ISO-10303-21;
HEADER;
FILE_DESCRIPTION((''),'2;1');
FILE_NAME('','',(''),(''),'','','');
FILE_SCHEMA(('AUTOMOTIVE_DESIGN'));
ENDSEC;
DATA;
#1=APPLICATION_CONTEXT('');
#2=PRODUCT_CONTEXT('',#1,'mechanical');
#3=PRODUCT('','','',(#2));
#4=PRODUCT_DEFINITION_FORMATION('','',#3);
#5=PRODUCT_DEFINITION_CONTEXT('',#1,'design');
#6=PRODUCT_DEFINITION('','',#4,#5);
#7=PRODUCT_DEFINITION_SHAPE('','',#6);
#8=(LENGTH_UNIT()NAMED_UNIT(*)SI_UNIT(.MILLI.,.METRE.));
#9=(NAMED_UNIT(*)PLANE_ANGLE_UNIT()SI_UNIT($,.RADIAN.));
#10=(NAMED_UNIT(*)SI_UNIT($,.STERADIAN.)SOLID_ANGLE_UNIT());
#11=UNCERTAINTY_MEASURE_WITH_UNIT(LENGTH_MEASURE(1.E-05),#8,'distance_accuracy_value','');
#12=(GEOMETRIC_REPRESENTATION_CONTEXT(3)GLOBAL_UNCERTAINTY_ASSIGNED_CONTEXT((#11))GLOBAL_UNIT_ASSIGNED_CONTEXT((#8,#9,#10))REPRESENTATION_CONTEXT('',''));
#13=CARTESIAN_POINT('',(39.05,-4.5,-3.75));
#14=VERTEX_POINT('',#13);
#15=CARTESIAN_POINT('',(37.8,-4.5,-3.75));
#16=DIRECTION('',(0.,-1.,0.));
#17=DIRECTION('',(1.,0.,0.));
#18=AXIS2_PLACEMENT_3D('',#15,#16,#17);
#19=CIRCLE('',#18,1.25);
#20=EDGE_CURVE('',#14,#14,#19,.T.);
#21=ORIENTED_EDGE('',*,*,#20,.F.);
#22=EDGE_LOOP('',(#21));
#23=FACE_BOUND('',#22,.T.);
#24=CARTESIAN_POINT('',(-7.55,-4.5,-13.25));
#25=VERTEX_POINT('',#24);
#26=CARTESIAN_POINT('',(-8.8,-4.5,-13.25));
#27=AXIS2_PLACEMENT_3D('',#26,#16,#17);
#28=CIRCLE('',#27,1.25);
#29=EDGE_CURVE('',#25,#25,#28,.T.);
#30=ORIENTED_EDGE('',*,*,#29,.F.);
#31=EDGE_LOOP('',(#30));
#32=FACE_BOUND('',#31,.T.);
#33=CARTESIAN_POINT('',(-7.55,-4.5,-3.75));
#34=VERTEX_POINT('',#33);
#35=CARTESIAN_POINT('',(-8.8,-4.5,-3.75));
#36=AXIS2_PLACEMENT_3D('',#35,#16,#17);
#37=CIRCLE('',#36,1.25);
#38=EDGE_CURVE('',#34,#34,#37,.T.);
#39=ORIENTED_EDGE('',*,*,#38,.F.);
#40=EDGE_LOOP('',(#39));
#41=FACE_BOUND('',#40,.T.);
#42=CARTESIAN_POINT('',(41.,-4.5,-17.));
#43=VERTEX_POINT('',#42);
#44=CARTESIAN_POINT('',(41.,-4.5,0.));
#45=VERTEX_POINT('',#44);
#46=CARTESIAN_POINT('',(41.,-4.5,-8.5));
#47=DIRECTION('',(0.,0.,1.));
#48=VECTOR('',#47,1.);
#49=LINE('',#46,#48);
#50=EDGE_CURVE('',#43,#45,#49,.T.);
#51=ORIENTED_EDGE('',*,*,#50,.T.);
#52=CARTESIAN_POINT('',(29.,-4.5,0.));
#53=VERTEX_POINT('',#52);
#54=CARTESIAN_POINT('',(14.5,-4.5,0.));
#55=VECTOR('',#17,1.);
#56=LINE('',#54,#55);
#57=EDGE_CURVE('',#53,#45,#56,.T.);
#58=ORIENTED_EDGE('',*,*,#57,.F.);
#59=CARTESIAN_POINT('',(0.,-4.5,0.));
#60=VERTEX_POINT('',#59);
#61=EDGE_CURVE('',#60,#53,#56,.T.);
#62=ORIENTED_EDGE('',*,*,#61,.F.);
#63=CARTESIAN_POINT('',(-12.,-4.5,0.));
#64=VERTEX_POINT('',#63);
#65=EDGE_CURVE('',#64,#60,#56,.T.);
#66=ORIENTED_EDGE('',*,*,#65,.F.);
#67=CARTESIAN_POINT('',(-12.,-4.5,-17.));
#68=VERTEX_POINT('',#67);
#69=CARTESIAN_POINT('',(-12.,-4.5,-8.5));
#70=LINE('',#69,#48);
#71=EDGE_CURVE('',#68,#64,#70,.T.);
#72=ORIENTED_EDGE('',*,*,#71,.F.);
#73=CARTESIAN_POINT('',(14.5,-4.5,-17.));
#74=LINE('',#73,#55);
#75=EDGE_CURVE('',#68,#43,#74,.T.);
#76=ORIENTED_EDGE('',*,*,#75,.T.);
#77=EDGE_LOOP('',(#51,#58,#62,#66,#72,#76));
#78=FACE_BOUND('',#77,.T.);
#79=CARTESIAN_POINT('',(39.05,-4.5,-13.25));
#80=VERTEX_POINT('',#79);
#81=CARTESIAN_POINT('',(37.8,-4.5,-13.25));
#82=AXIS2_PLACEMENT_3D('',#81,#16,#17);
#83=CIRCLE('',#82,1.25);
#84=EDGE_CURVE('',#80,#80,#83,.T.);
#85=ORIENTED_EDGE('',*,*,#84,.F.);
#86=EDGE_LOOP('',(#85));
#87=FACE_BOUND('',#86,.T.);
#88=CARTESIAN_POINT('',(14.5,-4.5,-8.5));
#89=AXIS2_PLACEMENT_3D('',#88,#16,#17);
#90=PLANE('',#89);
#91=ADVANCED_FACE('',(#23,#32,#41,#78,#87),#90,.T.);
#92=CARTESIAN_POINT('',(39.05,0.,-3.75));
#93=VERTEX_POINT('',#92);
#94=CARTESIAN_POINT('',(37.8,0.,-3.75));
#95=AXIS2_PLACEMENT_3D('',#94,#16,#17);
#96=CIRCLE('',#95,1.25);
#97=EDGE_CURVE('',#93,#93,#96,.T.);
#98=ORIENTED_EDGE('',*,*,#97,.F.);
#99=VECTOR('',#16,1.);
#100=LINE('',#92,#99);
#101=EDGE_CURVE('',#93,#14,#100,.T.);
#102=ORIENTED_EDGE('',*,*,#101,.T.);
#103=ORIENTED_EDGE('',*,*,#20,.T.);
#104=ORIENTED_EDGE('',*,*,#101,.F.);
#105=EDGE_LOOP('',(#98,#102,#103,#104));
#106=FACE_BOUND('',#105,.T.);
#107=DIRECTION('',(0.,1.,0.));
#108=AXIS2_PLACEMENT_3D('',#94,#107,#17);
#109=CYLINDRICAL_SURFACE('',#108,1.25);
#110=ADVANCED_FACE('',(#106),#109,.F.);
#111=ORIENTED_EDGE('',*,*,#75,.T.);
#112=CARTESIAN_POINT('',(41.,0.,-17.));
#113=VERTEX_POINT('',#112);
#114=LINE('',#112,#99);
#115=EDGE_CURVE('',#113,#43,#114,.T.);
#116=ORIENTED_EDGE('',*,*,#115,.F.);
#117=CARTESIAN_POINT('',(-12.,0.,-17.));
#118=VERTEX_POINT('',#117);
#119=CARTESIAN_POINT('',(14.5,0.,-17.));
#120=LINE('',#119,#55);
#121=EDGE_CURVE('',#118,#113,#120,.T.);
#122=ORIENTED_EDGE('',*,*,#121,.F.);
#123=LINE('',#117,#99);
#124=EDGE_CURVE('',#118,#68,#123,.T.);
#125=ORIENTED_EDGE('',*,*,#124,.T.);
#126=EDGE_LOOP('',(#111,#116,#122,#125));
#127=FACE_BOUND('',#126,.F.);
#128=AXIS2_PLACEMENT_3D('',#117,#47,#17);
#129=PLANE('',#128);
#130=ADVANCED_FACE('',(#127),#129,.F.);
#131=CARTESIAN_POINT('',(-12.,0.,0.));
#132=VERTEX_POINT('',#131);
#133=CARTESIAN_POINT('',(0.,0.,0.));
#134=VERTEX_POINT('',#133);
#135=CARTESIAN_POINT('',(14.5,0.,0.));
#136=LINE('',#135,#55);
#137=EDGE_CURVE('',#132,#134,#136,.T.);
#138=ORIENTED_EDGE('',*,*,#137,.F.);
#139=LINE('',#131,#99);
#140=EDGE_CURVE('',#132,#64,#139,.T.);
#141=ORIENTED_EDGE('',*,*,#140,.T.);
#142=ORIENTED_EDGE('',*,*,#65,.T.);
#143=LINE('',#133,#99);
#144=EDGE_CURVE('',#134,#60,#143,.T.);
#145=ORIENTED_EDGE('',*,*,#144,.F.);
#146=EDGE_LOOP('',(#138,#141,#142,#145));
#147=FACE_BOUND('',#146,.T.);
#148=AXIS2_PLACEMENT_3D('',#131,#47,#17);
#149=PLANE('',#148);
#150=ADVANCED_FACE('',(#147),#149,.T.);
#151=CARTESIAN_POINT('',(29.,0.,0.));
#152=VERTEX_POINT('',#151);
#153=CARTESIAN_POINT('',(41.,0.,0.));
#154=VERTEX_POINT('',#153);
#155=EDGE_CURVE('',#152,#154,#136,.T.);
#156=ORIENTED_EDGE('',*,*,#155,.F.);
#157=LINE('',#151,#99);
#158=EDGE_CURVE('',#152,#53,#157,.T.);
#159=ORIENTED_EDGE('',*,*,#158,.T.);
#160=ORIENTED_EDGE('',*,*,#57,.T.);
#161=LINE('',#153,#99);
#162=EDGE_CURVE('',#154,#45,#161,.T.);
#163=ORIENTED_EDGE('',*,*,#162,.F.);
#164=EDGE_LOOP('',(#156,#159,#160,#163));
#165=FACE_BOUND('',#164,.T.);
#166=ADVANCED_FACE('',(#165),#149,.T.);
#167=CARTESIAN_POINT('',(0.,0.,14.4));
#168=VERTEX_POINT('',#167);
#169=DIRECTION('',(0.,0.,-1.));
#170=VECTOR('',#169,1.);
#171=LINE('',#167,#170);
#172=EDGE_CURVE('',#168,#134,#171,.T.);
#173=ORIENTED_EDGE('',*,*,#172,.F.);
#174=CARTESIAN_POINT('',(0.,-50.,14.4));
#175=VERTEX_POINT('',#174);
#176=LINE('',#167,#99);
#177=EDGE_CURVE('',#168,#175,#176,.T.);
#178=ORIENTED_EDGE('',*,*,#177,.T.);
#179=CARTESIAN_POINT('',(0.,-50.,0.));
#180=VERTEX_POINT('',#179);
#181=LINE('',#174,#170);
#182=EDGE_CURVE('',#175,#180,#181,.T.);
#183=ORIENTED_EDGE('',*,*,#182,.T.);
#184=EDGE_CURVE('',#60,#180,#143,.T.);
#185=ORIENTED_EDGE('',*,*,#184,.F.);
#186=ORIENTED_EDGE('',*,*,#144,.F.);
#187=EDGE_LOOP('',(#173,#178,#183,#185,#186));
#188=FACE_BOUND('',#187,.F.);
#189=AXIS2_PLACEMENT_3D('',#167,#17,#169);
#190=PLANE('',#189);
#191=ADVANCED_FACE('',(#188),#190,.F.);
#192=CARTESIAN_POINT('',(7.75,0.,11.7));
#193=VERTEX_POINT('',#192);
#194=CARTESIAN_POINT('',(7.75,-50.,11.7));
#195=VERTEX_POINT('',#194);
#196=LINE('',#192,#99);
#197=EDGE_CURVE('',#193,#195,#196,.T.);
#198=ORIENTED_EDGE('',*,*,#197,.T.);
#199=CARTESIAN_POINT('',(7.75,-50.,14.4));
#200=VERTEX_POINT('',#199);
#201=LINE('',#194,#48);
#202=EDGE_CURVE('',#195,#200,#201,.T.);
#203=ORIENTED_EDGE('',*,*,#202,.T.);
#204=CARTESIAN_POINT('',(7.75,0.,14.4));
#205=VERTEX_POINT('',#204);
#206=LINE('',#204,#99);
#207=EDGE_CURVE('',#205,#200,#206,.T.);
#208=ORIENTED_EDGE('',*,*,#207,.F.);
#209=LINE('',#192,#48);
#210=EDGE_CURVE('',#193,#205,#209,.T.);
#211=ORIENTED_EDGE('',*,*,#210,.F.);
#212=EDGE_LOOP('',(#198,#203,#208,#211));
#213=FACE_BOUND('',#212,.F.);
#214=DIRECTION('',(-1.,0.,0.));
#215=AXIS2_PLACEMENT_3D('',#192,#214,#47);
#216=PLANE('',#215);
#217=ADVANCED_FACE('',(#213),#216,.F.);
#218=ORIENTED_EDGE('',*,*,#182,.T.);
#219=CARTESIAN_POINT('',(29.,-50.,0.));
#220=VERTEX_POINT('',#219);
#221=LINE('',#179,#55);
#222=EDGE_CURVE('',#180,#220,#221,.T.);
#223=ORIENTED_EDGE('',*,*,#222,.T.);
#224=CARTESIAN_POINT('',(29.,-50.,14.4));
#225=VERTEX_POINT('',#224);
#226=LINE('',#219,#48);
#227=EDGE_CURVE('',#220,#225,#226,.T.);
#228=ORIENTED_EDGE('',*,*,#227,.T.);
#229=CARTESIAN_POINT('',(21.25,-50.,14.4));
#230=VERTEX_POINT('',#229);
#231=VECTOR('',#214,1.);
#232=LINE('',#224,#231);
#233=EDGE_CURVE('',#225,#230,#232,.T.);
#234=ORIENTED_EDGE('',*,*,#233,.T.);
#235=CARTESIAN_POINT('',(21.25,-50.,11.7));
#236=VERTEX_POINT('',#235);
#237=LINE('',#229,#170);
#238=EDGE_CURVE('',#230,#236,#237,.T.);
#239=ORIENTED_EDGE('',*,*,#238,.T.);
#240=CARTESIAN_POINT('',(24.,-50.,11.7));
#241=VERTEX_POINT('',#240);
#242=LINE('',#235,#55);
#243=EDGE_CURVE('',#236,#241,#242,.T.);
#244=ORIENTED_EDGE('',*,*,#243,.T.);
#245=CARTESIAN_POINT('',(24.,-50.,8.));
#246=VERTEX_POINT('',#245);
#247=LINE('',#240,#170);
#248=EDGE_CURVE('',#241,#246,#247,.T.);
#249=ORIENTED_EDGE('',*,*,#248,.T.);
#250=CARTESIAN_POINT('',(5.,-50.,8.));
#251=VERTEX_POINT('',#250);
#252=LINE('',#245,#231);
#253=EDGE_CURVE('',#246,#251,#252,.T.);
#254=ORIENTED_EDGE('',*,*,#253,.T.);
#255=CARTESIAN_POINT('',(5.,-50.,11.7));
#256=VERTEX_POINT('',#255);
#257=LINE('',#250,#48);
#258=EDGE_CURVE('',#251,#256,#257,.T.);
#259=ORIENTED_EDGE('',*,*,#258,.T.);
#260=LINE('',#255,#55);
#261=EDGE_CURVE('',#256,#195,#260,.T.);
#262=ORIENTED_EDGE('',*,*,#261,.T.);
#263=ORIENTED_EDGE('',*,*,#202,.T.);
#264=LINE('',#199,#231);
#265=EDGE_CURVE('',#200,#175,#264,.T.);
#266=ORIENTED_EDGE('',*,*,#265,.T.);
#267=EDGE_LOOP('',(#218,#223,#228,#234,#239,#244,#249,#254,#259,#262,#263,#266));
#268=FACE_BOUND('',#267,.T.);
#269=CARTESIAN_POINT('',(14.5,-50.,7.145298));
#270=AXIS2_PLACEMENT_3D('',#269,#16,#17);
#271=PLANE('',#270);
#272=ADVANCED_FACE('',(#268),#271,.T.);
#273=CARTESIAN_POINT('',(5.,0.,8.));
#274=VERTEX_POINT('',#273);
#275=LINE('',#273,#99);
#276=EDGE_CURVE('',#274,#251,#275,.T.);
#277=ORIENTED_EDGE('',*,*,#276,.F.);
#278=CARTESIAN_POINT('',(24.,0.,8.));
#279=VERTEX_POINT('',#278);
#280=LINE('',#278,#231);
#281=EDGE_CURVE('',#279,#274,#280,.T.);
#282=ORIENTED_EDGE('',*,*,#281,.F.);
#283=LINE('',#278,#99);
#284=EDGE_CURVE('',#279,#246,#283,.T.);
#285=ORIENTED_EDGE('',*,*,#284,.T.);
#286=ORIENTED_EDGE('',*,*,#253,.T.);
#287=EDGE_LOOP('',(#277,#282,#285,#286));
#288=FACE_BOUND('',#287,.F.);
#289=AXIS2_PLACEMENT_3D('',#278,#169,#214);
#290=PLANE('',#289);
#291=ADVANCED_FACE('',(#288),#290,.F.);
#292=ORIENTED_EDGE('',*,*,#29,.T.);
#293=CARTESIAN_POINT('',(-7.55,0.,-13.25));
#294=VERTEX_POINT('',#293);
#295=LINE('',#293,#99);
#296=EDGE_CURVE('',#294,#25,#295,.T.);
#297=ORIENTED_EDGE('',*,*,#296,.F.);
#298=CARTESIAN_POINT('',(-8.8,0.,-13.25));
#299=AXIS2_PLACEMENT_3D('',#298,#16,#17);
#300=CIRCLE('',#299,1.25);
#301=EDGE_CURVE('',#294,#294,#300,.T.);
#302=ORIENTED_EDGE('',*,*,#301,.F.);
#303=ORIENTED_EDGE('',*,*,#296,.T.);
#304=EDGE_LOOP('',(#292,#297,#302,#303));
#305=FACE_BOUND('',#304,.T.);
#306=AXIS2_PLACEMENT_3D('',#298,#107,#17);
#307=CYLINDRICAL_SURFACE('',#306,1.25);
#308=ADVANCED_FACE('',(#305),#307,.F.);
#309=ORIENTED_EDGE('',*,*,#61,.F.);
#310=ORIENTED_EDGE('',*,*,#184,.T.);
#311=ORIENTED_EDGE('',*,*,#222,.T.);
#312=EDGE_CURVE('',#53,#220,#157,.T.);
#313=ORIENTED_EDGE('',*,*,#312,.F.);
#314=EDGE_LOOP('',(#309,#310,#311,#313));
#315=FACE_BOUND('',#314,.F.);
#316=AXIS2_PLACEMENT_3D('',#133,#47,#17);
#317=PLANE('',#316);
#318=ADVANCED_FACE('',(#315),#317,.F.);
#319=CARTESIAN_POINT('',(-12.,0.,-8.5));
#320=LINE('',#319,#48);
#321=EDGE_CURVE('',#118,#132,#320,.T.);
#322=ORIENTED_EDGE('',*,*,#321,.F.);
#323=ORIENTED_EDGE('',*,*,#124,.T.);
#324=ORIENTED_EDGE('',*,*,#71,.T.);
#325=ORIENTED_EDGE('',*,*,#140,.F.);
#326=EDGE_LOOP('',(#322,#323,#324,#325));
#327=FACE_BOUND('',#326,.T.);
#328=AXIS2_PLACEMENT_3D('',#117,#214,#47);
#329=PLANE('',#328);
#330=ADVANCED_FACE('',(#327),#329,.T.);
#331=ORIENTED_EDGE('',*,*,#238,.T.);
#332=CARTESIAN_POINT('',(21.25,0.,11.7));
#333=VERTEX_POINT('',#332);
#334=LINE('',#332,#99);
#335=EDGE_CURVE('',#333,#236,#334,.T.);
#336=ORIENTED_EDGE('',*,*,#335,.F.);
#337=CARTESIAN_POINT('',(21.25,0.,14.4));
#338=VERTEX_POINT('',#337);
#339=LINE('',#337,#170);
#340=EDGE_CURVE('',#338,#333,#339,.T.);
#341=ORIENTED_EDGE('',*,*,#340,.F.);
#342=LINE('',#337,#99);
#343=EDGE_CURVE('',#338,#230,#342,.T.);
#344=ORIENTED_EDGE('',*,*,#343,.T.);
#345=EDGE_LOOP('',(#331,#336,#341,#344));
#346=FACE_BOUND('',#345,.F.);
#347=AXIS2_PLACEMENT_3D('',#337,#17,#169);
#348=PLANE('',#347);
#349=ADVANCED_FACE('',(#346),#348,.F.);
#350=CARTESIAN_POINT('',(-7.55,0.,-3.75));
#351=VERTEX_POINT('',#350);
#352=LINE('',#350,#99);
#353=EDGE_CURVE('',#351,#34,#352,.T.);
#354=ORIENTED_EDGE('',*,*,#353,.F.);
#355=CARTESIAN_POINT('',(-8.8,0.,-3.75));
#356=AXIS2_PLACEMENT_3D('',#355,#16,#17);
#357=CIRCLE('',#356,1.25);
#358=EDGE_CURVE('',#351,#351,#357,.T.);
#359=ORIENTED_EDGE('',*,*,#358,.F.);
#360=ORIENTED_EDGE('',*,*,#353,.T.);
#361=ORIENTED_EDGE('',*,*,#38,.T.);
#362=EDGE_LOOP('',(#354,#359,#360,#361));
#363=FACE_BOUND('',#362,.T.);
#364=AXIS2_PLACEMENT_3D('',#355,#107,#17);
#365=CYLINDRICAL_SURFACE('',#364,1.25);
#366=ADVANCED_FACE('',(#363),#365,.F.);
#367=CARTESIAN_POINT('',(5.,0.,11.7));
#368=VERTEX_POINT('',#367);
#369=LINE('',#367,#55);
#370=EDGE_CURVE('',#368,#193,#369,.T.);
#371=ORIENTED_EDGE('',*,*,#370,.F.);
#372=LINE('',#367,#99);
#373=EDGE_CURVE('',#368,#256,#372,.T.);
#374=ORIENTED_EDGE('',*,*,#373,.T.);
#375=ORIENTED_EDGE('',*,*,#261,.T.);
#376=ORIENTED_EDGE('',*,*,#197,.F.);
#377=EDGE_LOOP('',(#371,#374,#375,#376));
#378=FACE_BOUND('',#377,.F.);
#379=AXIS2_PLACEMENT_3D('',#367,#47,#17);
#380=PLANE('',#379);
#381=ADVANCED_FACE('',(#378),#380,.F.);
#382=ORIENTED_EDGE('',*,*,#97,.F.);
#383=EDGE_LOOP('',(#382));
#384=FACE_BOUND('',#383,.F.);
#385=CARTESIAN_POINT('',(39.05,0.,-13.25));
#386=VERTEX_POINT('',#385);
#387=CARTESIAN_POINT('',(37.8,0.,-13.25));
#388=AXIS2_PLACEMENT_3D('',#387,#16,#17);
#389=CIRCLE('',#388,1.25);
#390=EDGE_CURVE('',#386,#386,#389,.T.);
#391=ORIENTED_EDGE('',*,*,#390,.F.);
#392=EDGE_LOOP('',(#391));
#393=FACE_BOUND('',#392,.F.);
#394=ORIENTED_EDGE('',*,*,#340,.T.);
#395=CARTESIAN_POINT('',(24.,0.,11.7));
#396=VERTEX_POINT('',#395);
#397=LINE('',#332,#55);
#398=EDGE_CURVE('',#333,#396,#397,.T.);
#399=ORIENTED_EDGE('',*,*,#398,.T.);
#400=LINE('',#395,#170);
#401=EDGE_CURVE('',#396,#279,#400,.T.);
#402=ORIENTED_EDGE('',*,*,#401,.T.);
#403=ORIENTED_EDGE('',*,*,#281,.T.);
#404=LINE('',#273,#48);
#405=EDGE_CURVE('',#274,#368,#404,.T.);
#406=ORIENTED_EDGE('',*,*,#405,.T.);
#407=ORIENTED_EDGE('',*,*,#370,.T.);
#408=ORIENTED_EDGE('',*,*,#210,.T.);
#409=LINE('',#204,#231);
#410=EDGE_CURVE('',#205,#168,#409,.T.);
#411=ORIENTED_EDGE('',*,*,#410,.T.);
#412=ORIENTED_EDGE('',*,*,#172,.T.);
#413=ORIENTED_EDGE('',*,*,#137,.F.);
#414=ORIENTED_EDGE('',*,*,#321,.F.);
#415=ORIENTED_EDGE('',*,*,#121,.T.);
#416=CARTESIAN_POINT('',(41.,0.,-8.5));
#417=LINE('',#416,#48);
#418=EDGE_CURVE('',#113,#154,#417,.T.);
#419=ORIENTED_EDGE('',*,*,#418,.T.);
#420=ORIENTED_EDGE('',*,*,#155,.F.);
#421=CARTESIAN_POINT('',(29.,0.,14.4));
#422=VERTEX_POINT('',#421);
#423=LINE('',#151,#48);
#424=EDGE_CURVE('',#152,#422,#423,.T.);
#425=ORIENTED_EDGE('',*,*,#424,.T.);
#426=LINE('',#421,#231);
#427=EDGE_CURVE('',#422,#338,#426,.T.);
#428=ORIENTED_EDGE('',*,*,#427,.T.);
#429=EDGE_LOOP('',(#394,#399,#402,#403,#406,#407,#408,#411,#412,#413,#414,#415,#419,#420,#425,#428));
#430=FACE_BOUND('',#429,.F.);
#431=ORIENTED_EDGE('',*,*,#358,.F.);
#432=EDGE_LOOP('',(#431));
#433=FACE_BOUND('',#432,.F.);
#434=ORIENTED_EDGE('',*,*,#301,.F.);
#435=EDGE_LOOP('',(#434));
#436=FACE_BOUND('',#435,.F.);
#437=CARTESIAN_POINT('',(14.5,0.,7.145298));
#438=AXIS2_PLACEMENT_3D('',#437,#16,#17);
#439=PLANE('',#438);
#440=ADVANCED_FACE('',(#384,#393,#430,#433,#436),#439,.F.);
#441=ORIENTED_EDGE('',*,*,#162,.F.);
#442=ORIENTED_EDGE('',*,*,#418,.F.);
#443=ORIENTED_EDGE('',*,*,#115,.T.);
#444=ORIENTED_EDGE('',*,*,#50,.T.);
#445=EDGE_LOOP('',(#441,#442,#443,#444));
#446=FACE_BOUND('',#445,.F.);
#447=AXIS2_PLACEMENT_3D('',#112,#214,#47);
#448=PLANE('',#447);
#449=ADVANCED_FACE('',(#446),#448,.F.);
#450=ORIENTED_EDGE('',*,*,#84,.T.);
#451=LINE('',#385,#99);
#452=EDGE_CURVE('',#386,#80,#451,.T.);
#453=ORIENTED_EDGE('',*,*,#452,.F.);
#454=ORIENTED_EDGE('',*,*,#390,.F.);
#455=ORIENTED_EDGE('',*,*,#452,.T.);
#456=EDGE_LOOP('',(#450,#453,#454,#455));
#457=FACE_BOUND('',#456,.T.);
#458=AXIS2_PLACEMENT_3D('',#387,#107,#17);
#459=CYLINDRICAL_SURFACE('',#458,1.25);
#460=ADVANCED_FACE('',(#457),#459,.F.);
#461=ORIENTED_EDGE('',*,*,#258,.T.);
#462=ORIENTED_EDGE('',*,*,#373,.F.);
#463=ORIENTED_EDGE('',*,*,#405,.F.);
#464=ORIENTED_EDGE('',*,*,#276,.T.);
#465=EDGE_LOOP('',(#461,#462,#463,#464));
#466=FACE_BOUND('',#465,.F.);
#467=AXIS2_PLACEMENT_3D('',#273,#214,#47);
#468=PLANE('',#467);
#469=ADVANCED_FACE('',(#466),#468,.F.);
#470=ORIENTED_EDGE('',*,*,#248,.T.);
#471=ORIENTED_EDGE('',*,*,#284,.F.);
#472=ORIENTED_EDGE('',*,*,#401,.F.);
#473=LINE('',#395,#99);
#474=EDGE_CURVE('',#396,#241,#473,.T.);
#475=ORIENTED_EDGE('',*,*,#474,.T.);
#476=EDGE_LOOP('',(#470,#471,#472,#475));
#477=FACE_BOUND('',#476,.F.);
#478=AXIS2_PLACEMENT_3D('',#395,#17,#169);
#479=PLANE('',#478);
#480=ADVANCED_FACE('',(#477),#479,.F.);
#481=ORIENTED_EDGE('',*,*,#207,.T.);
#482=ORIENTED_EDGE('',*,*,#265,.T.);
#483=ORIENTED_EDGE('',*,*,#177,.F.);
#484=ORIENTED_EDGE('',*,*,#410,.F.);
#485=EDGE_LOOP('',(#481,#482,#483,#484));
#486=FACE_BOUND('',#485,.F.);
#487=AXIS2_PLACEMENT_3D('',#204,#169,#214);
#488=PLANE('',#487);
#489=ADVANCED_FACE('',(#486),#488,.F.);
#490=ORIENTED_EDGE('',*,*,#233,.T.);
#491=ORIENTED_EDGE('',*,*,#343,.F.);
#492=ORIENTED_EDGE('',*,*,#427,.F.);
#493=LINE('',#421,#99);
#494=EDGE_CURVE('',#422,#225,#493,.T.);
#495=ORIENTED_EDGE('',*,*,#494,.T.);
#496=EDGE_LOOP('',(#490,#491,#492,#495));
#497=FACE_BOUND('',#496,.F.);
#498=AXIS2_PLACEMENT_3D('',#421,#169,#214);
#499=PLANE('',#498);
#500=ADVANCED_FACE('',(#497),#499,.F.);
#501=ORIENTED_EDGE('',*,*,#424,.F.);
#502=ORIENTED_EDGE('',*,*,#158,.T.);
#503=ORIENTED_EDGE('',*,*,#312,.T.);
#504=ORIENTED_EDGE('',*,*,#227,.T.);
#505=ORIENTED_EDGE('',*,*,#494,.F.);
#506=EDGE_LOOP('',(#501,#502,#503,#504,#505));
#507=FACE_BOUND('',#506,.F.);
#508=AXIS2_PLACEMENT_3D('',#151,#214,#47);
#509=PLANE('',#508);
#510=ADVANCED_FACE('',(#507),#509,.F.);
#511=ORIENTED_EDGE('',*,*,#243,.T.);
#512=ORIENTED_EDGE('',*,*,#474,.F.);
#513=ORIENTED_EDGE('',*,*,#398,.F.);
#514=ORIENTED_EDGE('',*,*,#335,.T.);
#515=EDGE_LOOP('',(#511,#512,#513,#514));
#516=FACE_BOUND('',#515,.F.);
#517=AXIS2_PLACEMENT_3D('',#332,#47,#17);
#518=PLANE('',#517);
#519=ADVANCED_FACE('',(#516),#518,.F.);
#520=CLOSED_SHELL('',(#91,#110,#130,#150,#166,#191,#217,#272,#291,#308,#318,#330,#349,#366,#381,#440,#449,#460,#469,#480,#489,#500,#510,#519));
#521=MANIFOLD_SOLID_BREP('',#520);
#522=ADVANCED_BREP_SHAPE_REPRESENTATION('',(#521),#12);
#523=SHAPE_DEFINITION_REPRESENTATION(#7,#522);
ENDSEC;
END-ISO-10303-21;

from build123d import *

# Parameters (mm, degrees)
SKETCH001_W      = 53
SKETCH001_H      = 17
SKETCH001_R      = 1.25
EXTRUDE002_DEPTH = 4.5
EXTRUDE001_DEPTH = 50
EXTRUDE_DEPTH    = 50
EXTRUDE003_DEPTH = 4.5


with BuildPart() as extrude002:
    # Sketch001 → Extrude002 (new body)
    with BuildSketch(Plane.XZ):
        with Locations((14.5, -8.5)):
            Rectangle(SKETCH001_W, SKETCH001_H)
        with Locations((-8.8, -3.75)):
            Circle(SKETCH001_R, mode=Mode.SUBTRACT)
        with Locations((-8.8, -13.25)):
            Circle(SKETCH001_R, mode=Mode.SUBTRACT)
        with Locations((37.8, -13.25)):
            Circle(SKETCH001_R, mode=Mode.SUBTRACT)
        with Locations((37.8, -3.75)):
            Circle(SKETCH001_R, mode=Mode.SUBTRACT)
    extrude(amount=EXTRUDE002_DEPTH)


with BuildPart() as extrude001:
    # Sketch → Extrude001 (new body)
    with BuildSketch(Plane.XZ):
        Polygon((0, 0), (29, 0), (29, 8), (29, 11.7), (29, 14.4), (21.25, 14.4), (21.25, 11.7), (24, 11.7), (24, 8), (5, 8), (5, 11.7), (7.75, 11.7), (7.75, 14.4), (0, 14.4), (0, 11.7), (0, 8), align=None)
    extrude(amount=EXTRUDE001_DEPTH)


with BuildPart() as extrude_body:
    # Sketch → Extrude (new body)
    with BuildSketch(Plane.XZ):
        Polygon((0, 0), (29, 0), (29, 8), (29, 11.7), (29, 14.4), (21.25, 14.4), (21.25, 11.7), (24, 11.7), (24, 8), (5, 8), (5, 11.7), (7.75, 11.7), (7.75, 14.4), (0, 14.4), (0, 11.7), (0, 8), align=None)
    extrude(amount=EXTRUDE_DEPTH)


with BuildPart() as fusion:
    # Sketch001 → Extrude003 (new body)
    with BuildSketch(Plane.XZ):
        with Locations((14.5, -8.5)):
            Rectangle(SKETCH001_W, SKETCH001_H)
        with Locations((-8.8, -3.75)):
            Circle(SKETCH001_R, mode=Mode.SUBTRACT)
        with Locations((-8.8, -13.25)):
            Circle(SKETCH001_R, mode=Mode.SUBTRACT)
        with Locations((37.8, -13.25)):
            Circle(SKETCH001_R, mode=Mode.SUBTRACT)
        with Locations((37.8, -3.75)):
            Circle(SKETCH001_R, mode=Mode.SUBTRACT)
    extrude(amount=EXTRUDE003_DEPTH)

    # Fusion: union Extrude002, Extrude001, Extrude body
    add(extrude002.part)
    add(extrude001.part)
    add(extrude_body.part)


solid = fusion.part
